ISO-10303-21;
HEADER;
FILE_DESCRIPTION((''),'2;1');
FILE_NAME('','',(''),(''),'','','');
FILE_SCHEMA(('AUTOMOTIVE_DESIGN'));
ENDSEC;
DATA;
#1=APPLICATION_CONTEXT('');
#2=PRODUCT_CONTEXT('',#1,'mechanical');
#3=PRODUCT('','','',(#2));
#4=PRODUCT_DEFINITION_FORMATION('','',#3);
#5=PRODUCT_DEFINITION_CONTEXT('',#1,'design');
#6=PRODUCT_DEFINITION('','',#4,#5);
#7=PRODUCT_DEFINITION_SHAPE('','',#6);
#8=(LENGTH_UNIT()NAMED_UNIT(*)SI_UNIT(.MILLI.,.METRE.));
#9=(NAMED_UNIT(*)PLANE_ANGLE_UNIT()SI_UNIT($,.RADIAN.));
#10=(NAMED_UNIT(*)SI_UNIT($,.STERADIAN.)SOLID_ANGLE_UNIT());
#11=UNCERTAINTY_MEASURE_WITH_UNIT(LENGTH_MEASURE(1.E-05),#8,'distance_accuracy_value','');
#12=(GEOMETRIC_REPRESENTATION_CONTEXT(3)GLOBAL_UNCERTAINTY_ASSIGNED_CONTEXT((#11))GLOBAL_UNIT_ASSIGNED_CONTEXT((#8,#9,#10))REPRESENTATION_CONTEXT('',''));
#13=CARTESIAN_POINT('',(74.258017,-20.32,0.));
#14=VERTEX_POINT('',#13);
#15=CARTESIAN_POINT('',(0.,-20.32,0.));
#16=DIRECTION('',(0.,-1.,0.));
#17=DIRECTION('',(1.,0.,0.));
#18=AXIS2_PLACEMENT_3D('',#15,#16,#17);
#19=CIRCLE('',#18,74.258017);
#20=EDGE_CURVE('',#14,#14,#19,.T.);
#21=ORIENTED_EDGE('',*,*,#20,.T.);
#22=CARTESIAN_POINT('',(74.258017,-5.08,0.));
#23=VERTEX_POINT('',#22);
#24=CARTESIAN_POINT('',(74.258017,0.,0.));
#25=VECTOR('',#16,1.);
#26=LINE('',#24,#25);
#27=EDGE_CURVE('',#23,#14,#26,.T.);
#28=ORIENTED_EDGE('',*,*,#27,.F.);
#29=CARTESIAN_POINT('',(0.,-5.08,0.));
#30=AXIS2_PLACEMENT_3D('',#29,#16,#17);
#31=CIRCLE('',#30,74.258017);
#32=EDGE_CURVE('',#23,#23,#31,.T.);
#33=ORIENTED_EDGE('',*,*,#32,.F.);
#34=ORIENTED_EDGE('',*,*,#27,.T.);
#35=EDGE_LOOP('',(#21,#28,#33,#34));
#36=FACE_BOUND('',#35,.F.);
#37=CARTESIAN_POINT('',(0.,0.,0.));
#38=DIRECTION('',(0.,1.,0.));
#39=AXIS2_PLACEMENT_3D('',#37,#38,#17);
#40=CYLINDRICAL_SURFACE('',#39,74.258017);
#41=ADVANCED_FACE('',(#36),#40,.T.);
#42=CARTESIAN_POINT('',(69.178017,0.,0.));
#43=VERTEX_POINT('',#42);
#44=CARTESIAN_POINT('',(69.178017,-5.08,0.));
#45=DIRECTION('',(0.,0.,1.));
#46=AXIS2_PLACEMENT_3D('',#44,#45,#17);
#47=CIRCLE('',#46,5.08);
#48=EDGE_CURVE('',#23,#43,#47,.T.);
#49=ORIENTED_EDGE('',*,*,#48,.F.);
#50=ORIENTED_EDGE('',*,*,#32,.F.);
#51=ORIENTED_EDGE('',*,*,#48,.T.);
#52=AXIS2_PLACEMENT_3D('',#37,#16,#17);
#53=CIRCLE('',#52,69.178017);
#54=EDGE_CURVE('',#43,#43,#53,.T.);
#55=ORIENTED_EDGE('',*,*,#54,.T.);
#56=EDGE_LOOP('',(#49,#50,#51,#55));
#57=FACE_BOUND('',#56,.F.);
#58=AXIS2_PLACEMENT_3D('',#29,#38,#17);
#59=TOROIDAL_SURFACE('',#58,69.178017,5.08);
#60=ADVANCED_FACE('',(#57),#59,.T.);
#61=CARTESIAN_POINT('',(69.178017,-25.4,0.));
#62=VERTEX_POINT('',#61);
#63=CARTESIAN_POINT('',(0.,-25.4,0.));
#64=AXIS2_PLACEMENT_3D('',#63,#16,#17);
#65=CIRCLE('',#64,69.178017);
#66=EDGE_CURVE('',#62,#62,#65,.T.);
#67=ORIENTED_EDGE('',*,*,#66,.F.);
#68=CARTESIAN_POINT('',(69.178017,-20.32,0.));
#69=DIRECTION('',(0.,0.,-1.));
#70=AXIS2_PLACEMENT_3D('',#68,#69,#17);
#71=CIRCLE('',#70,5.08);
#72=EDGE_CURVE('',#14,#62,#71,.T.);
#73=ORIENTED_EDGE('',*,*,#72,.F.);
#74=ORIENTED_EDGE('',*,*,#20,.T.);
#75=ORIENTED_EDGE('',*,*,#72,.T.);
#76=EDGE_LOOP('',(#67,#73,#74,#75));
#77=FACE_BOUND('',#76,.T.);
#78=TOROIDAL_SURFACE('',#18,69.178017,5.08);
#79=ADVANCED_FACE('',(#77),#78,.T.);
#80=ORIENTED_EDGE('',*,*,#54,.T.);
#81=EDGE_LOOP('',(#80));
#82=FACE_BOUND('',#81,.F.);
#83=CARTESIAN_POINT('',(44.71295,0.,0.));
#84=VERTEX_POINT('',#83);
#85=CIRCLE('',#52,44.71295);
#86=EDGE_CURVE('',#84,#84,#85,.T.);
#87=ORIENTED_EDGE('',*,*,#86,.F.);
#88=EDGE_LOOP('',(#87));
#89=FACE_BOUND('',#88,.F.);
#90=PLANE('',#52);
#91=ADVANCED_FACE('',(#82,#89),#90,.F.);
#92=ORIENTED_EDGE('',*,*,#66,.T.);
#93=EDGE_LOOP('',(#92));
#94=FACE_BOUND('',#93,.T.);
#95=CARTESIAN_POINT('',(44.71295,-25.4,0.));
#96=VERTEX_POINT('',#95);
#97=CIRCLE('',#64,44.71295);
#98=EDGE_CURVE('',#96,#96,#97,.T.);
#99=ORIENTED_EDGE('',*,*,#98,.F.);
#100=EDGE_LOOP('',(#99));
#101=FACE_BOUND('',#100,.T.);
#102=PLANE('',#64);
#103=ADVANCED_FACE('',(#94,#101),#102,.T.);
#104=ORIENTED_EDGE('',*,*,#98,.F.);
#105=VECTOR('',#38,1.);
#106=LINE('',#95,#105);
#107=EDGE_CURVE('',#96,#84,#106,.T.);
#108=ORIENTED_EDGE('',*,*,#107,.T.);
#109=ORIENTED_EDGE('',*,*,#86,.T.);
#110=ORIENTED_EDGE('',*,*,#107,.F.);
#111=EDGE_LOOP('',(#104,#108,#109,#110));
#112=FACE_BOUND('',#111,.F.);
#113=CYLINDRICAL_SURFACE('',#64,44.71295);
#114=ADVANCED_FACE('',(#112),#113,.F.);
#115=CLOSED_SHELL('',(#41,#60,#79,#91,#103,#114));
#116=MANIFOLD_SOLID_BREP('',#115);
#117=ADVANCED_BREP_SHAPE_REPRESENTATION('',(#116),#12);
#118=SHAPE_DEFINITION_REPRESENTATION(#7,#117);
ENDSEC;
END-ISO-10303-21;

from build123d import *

# Parameters (mm, degrees)
F0_R     = 74.258017
F1_DEPTH = 25.4
F2_R     = 44.71295
F3_DEPTH = 25.4
F4_R     = 5.08


with BuildPart() as f1:
    # F0 (on Front) → F1 (new body)
    with BuildSketch(Plane.XZ):
        Circle(F0_R)
    extrude(amount=F1_DEPTH)

    # F2 (on face) → F3 (cut)
    with BuildSketch(Plane.XZ.offset(25.4)):
        Circle(F2_R)
    extrude(amount=-F3_DEPTH, mode=Mode.SUBTRACT)

    # F4
    f4_edges = [f1.edges().sort_by_distance(p)[0] for p in [
        (-74.258017, -25.4, 0),
        (-74.258017, 0, 0),
    ]]
    fillet(f4_edges, radius=F4_R)


solid = f1.part
